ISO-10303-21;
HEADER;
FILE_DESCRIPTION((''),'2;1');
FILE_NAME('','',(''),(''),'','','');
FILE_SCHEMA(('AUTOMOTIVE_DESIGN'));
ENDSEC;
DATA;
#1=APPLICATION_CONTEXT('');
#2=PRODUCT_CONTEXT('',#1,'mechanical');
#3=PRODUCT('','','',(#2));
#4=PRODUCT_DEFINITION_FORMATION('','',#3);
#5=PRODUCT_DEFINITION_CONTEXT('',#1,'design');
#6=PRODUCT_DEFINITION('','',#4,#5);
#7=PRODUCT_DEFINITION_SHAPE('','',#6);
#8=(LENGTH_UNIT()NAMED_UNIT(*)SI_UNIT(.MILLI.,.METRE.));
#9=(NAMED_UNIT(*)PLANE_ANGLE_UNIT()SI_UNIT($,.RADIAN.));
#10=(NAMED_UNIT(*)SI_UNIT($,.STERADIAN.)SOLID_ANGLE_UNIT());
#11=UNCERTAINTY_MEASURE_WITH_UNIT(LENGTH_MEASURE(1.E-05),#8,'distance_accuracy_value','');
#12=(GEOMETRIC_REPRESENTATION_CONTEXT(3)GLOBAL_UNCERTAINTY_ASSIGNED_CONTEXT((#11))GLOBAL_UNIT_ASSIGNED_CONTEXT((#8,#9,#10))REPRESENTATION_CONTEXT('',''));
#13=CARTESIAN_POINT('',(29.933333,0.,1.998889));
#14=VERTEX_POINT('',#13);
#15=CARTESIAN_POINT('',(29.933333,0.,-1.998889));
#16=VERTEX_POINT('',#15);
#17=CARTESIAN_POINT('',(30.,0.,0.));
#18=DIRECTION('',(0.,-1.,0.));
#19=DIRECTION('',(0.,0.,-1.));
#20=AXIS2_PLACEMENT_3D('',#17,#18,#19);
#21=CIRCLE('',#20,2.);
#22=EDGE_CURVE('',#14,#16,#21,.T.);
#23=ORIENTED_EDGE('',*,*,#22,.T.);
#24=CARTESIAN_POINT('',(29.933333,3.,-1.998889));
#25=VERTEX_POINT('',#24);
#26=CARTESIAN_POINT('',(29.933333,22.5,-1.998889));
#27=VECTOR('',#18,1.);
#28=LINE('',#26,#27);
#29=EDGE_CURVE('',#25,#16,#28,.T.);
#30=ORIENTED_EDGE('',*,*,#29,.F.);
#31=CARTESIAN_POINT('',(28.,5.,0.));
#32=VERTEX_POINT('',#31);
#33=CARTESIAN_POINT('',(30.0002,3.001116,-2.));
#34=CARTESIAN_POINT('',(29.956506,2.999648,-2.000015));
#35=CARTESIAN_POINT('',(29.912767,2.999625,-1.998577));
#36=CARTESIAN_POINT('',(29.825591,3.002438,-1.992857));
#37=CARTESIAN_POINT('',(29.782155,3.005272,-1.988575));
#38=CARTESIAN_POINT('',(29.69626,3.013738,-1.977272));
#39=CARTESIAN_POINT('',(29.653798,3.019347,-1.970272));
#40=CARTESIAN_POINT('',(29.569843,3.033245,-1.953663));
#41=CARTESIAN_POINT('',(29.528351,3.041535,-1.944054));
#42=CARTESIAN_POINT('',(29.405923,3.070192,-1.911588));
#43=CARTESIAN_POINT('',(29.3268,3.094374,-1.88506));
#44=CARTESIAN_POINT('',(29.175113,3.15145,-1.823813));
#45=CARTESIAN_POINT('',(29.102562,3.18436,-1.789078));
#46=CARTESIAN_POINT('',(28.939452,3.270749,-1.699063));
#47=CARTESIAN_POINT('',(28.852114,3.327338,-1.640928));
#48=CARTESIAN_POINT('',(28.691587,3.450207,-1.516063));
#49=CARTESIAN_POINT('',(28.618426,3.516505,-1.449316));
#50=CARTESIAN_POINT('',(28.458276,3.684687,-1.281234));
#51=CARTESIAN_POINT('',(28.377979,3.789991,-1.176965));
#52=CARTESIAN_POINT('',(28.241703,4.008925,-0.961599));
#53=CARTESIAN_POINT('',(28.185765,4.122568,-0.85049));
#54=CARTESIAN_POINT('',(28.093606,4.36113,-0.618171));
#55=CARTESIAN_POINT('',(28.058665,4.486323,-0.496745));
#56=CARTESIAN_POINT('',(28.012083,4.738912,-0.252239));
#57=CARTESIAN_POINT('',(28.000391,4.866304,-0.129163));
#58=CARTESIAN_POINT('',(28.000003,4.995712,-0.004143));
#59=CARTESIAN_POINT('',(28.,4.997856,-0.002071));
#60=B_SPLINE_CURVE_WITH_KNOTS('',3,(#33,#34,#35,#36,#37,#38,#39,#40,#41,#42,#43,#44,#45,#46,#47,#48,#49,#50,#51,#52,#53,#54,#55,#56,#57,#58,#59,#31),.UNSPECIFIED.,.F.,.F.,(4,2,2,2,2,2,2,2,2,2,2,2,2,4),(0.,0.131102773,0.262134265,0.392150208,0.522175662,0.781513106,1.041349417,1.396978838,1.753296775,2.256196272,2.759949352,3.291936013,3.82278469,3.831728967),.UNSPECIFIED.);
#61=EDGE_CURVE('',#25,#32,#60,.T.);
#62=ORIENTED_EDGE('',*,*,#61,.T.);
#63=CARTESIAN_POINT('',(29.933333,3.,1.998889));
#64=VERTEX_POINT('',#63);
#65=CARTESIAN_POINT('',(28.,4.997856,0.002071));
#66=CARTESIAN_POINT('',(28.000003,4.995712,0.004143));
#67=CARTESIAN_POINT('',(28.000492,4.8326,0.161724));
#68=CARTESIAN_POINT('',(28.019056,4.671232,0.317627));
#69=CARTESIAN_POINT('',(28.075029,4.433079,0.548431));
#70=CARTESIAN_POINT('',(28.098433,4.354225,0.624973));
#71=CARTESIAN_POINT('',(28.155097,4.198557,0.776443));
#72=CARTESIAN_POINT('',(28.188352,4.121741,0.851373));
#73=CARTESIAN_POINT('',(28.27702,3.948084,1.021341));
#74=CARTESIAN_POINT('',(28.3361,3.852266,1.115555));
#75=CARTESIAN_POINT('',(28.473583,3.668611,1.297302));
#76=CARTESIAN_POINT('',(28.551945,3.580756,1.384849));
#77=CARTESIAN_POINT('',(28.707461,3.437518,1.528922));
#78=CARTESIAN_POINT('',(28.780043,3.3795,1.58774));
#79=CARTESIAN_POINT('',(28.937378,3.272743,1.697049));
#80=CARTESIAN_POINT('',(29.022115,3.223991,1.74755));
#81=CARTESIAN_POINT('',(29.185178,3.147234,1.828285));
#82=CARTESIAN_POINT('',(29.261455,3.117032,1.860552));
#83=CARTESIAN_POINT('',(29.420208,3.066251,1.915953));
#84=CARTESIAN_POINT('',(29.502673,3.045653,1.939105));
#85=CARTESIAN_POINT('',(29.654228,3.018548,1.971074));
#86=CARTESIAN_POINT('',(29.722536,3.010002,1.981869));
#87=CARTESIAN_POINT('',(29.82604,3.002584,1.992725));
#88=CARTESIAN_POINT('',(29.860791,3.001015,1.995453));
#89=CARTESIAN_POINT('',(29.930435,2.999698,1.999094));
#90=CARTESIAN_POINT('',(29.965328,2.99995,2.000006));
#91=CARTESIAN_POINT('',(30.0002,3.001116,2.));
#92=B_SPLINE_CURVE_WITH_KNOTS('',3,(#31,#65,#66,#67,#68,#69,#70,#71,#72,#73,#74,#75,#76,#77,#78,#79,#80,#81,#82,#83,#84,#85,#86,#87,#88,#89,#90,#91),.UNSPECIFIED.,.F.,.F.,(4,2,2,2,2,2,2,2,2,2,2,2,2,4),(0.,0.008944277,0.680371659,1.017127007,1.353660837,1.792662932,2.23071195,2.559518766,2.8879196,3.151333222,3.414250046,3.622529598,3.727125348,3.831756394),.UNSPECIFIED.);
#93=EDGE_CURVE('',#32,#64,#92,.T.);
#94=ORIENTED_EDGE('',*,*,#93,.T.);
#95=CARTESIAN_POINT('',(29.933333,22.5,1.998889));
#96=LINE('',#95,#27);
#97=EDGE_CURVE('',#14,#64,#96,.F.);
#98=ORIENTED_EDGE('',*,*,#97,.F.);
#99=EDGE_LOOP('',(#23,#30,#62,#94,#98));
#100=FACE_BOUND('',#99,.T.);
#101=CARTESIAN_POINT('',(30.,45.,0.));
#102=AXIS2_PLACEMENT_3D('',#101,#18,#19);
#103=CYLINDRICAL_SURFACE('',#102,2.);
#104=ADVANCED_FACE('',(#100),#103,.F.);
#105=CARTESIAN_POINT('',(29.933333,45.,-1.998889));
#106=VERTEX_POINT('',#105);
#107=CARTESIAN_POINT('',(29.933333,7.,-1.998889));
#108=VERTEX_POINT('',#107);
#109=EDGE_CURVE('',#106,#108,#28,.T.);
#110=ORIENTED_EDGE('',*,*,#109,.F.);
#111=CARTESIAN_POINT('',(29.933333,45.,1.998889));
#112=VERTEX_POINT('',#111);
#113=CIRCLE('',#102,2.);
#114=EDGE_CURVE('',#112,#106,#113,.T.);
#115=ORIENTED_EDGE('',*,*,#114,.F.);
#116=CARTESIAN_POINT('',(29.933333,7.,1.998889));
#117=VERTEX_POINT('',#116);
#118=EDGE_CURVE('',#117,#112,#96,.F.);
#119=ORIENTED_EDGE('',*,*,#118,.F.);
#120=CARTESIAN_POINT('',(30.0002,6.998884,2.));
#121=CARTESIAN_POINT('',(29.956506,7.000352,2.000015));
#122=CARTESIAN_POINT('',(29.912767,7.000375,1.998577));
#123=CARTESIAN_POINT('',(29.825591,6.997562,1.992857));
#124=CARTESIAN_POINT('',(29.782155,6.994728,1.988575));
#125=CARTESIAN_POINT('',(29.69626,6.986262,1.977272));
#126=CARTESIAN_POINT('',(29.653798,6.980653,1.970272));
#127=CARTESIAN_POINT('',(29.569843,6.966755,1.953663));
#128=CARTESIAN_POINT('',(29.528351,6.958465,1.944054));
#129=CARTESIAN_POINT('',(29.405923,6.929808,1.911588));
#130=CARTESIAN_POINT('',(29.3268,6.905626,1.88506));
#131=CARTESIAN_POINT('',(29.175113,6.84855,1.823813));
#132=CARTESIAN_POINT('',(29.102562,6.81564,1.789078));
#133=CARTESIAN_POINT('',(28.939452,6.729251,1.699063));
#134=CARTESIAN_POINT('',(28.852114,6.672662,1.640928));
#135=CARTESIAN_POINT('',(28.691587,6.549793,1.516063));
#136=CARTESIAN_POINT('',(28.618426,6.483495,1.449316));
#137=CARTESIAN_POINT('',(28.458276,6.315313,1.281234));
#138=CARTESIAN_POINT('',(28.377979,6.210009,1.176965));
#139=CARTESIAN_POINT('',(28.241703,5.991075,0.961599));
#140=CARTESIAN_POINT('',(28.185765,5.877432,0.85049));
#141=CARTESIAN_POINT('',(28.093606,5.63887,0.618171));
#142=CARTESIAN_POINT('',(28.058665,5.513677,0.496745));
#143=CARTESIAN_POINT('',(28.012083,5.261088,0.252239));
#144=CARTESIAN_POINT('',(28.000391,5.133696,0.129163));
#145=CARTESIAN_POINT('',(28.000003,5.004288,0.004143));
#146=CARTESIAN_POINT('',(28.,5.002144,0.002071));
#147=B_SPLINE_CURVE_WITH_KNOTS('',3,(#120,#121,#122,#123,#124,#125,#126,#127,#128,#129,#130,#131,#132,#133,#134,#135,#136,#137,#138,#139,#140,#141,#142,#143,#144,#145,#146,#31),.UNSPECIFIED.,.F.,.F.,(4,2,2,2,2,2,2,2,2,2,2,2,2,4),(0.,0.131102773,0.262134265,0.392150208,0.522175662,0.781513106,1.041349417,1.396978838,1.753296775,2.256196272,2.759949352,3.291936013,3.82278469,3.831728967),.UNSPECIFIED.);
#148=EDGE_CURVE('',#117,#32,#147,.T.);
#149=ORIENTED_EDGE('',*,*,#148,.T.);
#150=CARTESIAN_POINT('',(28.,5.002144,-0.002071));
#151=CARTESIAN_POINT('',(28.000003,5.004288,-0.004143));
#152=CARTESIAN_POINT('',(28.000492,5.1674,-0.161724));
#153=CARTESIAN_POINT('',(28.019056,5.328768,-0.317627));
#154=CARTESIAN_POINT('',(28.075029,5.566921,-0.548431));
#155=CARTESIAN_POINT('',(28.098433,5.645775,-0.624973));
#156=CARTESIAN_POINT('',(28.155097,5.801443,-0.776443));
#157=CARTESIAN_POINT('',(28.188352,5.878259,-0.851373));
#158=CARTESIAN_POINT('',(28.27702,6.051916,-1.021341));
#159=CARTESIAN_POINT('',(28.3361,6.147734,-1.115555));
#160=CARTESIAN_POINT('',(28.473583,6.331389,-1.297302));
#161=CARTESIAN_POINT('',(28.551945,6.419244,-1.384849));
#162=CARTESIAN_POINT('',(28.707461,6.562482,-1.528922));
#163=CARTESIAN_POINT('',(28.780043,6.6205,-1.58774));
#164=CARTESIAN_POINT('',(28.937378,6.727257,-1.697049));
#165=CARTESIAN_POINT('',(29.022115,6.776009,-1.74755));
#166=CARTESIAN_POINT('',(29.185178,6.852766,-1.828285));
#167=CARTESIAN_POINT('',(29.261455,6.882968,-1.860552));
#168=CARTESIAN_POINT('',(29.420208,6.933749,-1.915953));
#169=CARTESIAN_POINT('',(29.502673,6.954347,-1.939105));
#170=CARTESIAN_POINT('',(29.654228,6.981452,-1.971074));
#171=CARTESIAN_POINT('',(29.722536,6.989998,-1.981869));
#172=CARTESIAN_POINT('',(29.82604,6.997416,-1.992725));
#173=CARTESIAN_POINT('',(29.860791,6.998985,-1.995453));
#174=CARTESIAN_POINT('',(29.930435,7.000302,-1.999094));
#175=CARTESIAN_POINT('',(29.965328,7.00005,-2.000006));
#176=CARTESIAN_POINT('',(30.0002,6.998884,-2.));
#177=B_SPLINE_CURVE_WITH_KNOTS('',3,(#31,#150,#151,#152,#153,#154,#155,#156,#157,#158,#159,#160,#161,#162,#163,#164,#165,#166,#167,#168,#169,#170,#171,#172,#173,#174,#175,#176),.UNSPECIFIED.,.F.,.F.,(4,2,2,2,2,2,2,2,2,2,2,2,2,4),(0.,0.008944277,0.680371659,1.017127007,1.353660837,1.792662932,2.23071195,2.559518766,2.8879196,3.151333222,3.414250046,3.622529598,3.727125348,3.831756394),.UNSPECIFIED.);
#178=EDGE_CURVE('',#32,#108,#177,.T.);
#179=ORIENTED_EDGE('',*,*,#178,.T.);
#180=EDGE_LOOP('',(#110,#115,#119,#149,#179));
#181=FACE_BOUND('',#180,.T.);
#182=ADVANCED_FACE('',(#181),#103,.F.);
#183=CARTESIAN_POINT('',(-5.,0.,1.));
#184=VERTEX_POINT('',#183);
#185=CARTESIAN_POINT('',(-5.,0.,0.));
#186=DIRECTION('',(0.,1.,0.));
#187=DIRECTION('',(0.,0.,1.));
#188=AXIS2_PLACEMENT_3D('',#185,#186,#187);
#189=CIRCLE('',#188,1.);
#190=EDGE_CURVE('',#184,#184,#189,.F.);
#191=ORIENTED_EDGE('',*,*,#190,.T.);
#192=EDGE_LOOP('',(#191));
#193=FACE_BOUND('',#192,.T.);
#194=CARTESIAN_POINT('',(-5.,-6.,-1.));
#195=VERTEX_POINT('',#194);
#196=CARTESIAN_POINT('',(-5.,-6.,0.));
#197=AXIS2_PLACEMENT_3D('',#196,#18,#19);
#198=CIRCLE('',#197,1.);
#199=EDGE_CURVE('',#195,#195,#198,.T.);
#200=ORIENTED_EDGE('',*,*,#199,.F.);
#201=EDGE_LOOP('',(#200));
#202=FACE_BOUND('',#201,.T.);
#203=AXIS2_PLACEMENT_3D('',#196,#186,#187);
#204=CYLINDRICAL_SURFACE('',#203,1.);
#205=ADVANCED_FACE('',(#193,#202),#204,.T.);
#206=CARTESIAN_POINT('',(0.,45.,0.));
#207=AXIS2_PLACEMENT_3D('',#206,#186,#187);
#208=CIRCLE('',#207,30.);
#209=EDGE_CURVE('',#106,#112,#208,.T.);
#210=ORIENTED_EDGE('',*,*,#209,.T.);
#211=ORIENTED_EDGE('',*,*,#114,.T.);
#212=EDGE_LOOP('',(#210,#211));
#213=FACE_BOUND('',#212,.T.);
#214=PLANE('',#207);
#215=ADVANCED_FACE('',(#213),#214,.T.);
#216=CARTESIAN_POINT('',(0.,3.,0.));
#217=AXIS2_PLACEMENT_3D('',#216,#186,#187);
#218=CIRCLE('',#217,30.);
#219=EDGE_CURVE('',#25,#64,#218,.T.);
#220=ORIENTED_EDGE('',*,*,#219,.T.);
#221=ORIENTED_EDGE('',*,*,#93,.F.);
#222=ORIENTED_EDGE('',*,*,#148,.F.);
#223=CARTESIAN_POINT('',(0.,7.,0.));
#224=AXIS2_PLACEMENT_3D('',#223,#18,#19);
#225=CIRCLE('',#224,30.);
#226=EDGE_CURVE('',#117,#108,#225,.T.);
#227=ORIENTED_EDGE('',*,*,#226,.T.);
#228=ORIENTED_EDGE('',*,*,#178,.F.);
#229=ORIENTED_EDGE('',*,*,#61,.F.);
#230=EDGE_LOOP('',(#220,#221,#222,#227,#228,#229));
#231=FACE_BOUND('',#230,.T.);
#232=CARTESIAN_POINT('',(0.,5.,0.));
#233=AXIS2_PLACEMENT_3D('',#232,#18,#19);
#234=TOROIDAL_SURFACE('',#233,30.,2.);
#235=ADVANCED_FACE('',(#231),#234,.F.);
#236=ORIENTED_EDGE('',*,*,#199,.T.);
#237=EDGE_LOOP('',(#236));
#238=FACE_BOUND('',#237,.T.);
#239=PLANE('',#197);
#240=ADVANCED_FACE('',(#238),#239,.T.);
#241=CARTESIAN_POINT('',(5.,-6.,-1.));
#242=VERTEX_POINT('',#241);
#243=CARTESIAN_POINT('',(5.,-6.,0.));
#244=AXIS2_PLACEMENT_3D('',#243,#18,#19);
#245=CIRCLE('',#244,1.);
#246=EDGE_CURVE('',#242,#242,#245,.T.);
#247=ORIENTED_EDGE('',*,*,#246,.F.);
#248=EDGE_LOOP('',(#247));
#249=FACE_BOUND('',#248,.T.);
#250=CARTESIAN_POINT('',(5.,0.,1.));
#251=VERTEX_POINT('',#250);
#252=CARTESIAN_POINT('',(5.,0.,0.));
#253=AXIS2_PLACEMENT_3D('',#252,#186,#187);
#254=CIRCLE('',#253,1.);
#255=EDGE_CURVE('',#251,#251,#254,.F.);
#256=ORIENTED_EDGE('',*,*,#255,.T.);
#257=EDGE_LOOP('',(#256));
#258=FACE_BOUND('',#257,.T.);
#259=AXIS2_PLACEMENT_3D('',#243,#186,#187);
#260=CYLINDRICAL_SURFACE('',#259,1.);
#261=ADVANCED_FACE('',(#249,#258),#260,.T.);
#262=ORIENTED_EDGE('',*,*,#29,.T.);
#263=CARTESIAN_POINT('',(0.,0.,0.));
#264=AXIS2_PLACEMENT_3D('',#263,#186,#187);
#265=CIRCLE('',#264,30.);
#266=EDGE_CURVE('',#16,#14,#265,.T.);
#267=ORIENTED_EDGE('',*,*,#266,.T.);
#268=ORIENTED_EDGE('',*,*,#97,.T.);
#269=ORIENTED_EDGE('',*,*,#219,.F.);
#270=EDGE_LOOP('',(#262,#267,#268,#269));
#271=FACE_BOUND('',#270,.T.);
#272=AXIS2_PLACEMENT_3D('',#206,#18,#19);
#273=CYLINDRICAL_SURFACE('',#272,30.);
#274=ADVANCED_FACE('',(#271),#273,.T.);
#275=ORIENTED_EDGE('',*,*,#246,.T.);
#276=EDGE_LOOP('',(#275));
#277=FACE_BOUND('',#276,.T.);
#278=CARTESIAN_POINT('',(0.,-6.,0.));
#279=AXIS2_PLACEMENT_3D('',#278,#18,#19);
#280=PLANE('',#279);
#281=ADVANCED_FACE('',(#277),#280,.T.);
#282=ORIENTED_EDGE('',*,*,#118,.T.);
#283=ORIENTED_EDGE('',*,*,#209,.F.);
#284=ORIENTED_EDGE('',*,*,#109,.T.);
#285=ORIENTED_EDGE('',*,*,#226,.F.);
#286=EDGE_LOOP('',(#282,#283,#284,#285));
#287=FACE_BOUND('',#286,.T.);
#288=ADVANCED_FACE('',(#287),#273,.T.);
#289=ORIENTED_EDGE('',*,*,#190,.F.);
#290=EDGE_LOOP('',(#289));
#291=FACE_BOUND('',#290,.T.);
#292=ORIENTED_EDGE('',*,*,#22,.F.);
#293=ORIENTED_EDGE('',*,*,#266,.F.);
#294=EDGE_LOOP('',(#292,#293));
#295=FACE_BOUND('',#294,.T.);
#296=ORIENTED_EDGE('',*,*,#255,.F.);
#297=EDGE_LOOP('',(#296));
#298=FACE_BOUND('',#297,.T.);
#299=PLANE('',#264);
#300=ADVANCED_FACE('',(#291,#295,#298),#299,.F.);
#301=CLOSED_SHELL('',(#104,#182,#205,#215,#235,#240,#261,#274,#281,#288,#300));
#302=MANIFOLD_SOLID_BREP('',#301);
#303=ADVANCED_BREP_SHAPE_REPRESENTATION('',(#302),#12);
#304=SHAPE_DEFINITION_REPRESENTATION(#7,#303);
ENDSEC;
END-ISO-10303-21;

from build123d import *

# Parameters (mm, degrees)
SKETCH_2_R          = 30
EXTRUDE_1_DEPTH     = 45
SKETCH_3_R          = 2
SKETCH_4_R          = 1
EXTRUDE_2_DEPTH     = 6
SKETCH_5_R          = 2
CUT_EXTRUDE_1_DEPTH = 45


with BuildPart() as part:
    # Эскиз2 → Бобышка-Вытянуть1 (new body)
    with BuildSketch(Plane(origin=(0, 0, 0), x_dir=(1, 0, 0), z_dir=(0, 1, 0))):
        with Locations(Location((0, 0, 0), (0, 0, 90))):
            Circle(SKETCH_2_R)
    extrude(amount=EXTRUDE_1_DEPTH)

    # Эскиз3 → Вырез-Повернуть1 (revolve, cut)
    with BuildSketch(Plane(origin=(0, 0, 0), x_dir=(0, 0, -1), z_dir=(1, 0, 0)), mode=Mode.PRIVATE) as cut_revolve_1_sk:
        with Locations((-30, 5)):
            Circle(SKETCH_3_R)
    revolve(cut_revolve_1_sk.sketch.rotate(Axis((0, 0, 0), (0, 1, 0)), 180), axis=Axis((0, 0, 0), (0, 1, 0)), mode=Mode.SUBTRACT)

    # Эскиз4 → Бобышка-Вытянуть2 (add)
    with BuildSketch(Plane.XZ):
        with Locations(Location((5, 0, 0), (0, 0, 90))):
            Circle(SKETCH_4_R)
        with Locations(Location((-5, 0, 0), (0, 0, 90))):
            Circle(SKETCH_4_R)
    extrude(amount=EXTRUDE_2_DEPTH)

    # Эскиз5 → Вырез-Вытянуть1 (cut)
    with BuildSketch(Plane.XZ):
        with Locations((30, 0)):
            Circle(SKETCH_5_R)
    extrude(amount=-CUT_EXTRUDE_1_DEPTH, mode=Mode.SUBTRACT)


solid = part.part
